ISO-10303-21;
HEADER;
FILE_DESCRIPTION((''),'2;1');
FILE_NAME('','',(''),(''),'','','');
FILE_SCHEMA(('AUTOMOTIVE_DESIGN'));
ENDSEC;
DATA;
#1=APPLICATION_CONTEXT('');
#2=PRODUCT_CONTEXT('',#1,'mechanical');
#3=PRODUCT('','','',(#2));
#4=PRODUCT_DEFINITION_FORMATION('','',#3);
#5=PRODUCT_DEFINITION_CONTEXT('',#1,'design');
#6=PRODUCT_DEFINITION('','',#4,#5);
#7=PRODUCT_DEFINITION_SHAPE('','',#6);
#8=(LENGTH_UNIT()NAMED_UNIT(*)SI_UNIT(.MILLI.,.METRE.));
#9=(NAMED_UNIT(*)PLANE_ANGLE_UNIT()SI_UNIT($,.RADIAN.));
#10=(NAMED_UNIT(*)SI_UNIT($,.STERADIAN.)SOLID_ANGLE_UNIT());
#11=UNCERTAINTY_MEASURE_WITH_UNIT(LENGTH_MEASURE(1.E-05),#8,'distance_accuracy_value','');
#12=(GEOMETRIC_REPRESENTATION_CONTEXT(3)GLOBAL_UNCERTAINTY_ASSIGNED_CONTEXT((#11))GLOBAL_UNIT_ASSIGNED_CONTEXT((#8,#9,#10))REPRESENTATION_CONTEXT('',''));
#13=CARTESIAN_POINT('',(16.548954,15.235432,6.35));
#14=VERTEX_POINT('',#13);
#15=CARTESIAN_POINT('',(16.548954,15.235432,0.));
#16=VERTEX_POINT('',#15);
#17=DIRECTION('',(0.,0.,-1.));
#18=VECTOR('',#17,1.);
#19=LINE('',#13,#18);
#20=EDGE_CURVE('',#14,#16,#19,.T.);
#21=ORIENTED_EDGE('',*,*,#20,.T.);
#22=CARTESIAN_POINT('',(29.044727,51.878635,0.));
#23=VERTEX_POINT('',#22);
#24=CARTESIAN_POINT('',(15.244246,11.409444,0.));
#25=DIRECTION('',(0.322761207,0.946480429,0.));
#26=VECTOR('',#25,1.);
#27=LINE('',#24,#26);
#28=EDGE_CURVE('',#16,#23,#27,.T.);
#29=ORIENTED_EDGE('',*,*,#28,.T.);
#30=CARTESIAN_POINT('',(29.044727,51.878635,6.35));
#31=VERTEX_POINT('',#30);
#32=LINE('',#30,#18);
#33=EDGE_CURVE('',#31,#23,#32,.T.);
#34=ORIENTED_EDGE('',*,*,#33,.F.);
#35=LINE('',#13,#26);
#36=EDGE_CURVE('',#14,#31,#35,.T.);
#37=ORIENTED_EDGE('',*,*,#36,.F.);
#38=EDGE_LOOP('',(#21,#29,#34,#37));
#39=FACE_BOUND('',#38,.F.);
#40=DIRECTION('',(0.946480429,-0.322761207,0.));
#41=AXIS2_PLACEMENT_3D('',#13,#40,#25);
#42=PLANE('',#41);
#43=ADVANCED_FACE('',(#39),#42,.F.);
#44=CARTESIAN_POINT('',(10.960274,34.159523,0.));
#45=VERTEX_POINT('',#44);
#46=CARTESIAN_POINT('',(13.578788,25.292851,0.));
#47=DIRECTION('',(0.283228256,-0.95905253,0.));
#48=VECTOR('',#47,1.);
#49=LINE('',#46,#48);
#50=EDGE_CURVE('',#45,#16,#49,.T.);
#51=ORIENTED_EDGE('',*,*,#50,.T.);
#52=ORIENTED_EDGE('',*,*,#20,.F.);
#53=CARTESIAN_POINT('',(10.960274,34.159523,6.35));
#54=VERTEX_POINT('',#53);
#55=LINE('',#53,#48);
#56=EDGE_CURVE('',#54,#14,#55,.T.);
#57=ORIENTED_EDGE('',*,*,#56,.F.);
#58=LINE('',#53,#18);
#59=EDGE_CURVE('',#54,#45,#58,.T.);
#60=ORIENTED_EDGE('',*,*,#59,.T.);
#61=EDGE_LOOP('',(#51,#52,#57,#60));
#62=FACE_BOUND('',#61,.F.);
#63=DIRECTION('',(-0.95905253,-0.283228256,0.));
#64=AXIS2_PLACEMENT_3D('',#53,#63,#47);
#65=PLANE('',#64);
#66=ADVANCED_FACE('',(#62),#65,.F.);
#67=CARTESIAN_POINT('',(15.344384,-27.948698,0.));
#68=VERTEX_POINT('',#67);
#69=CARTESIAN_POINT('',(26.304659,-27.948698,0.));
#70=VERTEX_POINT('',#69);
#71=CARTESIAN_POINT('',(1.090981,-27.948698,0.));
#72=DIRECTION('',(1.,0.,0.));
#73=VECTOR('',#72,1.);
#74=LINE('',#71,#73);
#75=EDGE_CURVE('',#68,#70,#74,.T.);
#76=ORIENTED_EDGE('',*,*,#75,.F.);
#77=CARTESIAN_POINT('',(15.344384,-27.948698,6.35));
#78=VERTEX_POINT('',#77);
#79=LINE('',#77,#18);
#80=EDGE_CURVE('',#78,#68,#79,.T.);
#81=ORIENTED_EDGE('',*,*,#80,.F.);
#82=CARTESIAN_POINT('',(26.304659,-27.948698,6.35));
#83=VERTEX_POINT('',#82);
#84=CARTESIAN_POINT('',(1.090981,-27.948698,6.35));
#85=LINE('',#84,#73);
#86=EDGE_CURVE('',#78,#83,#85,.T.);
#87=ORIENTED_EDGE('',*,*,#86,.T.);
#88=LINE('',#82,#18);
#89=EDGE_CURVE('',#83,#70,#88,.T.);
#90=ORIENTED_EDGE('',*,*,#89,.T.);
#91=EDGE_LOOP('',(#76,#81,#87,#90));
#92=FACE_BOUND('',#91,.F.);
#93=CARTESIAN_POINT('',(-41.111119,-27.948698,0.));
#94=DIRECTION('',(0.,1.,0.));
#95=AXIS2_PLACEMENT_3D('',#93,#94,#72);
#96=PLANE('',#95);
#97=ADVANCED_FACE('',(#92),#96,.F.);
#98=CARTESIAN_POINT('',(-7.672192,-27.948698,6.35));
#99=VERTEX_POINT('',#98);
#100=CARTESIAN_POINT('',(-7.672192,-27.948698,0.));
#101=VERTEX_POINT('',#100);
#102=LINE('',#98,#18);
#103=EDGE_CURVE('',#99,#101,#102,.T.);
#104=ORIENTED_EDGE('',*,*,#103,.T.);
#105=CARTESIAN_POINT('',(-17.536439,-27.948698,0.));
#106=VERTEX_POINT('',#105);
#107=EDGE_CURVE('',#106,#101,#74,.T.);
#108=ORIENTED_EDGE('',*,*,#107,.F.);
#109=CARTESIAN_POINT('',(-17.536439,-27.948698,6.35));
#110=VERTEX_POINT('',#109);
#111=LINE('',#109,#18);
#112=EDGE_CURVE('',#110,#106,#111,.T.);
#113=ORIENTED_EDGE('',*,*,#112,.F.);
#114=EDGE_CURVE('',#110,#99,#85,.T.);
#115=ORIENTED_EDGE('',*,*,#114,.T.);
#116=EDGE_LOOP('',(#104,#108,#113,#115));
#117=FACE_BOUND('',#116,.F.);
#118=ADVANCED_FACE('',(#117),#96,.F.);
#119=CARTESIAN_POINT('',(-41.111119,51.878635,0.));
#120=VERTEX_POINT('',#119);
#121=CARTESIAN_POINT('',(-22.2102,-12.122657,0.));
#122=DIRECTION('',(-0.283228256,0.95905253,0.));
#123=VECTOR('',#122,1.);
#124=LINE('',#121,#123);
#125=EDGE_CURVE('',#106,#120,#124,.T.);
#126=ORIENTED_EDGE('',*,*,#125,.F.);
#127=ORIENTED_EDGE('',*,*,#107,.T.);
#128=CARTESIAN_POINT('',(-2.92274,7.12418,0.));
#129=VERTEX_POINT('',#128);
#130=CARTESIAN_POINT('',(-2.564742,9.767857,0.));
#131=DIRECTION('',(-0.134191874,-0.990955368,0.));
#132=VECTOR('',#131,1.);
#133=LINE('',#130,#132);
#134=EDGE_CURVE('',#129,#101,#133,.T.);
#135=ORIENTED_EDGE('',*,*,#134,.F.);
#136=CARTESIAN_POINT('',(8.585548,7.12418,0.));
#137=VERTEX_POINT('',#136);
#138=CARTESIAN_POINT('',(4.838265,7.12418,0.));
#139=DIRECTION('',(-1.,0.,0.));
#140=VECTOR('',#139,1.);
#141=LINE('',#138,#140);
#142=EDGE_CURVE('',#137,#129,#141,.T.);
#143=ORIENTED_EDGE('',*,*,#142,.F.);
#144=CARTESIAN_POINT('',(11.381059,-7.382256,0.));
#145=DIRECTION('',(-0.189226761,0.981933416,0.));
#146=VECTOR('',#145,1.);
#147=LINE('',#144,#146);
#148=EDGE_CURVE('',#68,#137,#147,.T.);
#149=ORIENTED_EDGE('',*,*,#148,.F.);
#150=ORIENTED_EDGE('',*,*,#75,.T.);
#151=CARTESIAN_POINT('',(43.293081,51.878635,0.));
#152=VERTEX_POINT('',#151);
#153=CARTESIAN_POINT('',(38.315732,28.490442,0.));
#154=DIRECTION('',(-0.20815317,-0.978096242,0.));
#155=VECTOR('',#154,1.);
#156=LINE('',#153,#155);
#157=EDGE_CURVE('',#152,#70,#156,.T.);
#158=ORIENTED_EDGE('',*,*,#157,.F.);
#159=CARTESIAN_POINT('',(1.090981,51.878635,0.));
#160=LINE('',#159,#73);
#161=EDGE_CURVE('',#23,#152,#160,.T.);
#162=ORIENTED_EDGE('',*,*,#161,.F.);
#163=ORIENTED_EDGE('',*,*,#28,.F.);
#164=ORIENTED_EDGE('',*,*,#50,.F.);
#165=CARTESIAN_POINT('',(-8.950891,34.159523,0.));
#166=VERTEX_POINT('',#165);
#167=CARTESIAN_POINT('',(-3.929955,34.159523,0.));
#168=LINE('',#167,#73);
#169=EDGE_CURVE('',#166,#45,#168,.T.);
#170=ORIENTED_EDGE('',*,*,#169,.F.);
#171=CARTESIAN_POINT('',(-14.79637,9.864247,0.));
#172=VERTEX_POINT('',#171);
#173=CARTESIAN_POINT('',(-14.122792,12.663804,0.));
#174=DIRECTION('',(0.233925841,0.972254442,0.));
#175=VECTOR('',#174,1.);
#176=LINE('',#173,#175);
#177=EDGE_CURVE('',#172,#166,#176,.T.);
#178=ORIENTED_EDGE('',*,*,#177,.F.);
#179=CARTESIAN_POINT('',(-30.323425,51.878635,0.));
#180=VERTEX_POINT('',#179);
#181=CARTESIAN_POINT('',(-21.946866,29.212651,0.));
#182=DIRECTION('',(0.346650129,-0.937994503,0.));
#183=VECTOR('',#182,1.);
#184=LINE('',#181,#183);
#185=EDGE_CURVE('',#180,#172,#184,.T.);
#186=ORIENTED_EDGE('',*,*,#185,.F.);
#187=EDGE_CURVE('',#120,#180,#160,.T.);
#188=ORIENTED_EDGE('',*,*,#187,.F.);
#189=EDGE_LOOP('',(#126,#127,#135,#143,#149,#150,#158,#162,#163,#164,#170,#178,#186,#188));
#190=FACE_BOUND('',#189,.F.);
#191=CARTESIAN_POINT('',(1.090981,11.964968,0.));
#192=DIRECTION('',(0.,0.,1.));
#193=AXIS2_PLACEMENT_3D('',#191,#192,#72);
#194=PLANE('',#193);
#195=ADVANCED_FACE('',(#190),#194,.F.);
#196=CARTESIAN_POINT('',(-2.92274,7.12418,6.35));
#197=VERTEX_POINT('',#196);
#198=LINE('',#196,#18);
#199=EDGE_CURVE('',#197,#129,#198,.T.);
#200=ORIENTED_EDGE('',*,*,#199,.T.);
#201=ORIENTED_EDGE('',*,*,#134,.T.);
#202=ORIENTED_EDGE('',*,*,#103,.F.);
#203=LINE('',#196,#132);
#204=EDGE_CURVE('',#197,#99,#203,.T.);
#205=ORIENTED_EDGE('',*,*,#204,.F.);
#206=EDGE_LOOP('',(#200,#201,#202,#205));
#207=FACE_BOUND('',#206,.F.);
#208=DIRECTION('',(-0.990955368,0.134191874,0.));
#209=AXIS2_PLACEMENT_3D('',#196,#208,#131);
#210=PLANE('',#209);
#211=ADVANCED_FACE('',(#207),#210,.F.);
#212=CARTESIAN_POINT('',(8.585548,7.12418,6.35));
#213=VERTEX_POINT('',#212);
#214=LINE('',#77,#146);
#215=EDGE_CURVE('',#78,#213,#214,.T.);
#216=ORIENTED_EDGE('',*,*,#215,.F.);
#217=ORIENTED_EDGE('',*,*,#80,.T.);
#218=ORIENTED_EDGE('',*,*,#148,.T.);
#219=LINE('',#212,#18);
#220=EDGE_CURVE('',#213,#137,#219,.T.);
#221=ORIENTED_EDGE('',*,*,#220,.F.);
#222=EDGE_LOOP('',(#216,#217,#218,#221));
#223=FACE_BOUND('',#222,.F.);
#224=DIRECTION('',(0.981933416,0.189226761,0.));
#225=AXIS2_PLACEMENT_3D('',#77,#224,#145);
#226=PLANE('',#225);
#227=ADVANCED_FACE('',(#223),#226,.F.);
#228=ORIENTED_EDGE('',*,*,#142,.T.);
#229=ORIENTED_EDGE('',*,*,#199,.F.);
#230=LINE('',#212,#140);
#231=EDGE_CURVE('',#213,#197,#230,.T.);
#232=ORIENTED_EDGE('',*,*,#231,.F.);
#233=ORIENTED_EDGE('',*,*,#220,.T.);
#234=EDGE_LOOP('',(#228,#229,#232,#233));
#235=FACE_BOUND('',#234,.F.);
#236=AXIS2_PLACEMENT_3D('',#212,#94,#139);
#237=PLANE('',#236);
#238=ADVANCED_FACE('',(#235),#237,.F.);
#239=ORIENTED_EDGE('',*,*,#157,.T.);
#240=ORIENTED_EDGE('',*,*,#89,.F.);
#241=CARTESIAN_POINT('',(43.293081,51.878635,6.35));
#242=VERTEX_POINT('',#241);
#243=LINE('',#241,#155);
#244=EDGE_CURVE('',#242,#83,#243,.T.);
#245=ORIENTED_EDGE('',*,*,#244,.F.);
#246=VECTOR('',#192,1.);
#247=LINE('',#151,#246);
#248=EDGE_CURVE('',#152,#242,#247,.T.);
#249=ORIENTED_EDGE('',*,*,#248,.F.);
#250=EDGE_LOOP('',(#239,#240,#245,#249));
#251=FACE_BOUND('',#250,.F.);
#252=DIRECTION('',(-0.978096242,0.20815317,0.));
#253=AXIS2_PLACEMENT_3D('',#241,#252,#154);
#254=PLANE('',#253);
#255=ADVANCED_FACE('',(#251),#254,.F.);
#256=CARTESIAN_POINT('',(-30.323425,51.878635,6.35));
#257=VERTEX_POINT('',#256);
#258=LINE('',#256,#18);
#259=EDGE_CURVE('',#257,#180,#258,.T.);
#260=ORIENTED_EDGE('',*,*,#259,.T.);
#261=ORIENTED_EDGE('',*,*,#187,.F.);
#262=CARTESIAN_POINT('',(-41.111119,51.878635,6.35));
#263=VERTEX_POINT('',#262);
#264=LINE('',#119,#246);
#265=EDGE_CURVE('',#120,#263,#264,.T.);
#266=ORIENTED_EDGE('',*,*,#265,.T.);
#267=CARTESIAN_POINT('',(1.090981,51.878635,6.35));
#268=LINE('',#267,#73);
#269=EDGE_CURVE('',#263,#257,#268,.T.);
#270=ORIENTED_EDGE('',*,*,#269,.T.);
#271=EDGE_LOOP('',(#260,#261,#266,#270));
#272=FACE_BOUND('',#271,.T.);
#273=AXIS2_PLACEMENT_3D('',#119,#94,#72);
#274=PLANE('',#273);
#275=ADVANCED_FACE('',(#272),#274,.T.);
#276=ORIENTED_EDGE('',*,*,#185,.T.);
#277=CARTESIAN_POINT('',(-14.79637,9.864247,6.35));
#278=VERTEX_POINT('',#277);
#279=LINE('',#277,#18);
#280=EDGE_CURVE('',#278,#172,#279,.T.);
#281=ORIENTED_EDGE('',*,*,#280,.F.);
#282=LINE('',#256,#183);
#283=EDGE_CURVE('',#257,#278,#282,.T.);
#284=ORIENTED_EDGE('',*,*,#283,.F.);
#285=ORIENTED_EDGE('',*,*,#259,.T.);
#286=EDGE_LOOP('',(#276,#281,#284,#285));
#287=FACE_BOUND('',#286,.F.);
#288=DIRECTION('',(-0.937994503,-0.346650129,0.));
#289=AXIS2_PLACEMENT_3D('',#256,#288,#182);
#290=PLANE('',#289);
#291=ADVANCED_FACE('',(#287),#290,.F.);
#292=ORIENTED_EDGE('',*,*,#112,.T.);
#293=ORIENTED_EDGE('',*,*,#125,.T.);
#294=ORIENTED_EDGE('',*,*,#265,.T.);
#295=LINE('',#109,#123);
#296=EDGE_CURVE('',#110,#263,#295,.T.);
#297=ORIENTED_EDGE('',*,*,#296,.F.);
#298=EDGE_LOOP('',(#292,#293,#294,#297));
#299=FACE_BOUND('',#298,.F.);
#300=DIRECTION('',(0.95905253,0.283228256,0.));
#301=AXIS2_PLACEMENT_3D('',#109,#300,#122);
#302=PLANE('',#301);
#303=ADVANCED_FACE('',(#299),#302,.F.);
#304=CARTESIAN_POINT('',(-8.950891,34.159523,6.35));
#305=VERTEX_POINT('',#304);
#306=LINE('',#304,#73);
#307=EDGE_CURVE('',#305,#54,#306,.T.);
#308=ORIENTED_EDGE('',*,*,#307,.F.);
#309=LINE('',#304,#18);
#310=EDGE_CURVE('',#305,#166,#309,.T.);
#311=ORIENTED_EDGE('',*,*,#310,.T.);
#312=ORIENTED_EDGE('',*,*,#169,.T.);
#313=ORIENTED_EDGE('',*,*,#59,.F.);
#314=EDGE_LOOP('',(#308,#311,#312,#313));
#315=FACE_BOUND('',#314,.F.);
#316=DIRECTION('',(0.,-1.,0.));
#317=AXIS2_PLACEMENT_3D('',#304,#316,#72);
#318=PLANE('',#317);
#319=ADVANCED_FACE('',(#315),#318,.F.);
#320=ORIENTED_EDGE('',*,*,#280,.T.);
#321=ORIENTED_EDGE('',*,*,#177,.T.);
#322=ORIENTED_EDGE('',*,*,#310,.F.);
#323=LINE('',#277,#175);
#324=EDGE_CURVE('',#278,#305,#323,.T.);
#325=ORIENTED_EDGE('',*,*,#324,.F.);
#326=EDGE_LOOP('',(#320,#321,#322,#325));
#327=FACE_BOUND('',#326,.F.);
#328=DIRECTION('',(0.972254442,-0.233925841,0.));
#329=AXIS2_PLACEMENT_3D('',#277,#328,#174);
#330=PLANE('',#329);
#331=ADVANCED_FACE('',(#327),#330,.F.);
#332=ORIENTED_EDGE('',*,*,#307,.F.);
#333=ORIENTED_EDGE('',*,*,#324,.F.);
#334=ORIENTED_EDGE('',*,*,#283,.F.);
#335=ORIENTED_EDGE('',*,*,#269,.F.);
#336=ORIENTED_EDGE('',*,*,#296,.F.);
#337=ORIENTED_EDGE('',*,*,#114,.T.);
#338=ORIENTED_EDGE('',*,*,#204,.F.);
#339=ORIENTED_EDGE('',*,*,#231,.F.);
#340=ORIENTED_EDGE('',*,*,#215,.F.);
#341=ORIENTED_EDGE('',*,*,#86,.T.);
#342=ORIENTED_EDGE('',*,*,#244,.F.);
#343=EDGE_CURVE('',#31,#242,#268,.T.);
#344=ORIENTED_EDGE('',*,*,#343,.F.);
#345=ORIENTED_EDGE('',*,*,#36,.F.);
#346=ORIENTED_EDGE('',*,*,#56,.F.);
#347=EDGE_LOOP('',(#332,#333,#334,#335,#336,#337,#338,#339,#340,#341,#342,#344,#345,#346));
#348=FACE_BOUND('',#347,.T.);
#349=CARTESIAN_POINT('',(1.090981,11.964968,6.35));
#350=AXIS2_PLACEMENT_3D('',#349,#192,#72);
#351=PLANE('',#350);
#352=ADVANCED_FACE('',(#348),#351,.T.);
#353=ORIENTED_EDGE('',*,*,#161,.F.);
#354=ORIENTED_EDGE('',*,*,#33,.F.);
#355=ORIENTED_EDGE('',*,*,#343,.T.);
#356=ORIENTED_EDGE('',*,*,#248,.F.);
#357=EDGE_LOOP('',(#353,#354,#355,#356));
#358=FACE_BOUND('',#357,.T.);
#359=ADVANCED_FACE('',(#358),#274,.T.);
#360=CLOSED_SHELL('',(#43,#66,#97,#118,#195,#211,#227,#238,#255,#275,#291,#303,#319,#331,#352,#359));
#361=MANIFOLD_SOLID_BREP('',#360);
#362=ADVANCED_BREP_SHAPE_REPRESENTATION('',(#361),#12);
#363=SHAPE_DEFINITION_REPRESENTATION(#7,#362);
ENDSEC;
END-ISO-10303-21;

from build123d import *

# Parameters (mm, degrees)
F0_W     = 84.4042
F0_H     = 79.8273328692
F1_DEPTH = 6.35
F3_DEPTH = 25.4


with BuildPart() as f1:
    # F0 (on Top) → F1 (new body)
    with BuildSketch(Plane.XY):
        with Locations((1.090981224, 11.9649684057)):
            Rectangle(F0_W, F0_H)
    extrude(amount=F1_DEPTH)

    # F2 (on face) → F3 (cut)
    with BuildSketch(Plane.XY.offset(6.35)):
        Polygon((-17.5364390016, -27.9486980289), (-41.111118776, 51.8786348402), (-41.111118776, -27.9486980289), align=None)
        Polygon((29.0447268635, 51.8786348403), (-30.3234253079, 51.8786348403), (-14.7963697091, 9.864247404), (-8.9508909732, 34.1595225036), (10.960274376, 34.1595225036), (16.5489539437, 15.2354315543), align=None)
        Polygon((43.293081224, -27.9486980289), (43.293081224, 51.8786348403), (26.3046585023, -27.9486980289), align=None)
        Polygon((-2.9227398336, 7.1241795085), (-7.6721920632, -27.9486980289), (15.3443841264, -27.9486980289), (8.5855480283, 7.1241795085), align=None)
    extrude(amount=-F3_DEPTH, mode=Mode.SUBTRACT)


solid = f1.part
